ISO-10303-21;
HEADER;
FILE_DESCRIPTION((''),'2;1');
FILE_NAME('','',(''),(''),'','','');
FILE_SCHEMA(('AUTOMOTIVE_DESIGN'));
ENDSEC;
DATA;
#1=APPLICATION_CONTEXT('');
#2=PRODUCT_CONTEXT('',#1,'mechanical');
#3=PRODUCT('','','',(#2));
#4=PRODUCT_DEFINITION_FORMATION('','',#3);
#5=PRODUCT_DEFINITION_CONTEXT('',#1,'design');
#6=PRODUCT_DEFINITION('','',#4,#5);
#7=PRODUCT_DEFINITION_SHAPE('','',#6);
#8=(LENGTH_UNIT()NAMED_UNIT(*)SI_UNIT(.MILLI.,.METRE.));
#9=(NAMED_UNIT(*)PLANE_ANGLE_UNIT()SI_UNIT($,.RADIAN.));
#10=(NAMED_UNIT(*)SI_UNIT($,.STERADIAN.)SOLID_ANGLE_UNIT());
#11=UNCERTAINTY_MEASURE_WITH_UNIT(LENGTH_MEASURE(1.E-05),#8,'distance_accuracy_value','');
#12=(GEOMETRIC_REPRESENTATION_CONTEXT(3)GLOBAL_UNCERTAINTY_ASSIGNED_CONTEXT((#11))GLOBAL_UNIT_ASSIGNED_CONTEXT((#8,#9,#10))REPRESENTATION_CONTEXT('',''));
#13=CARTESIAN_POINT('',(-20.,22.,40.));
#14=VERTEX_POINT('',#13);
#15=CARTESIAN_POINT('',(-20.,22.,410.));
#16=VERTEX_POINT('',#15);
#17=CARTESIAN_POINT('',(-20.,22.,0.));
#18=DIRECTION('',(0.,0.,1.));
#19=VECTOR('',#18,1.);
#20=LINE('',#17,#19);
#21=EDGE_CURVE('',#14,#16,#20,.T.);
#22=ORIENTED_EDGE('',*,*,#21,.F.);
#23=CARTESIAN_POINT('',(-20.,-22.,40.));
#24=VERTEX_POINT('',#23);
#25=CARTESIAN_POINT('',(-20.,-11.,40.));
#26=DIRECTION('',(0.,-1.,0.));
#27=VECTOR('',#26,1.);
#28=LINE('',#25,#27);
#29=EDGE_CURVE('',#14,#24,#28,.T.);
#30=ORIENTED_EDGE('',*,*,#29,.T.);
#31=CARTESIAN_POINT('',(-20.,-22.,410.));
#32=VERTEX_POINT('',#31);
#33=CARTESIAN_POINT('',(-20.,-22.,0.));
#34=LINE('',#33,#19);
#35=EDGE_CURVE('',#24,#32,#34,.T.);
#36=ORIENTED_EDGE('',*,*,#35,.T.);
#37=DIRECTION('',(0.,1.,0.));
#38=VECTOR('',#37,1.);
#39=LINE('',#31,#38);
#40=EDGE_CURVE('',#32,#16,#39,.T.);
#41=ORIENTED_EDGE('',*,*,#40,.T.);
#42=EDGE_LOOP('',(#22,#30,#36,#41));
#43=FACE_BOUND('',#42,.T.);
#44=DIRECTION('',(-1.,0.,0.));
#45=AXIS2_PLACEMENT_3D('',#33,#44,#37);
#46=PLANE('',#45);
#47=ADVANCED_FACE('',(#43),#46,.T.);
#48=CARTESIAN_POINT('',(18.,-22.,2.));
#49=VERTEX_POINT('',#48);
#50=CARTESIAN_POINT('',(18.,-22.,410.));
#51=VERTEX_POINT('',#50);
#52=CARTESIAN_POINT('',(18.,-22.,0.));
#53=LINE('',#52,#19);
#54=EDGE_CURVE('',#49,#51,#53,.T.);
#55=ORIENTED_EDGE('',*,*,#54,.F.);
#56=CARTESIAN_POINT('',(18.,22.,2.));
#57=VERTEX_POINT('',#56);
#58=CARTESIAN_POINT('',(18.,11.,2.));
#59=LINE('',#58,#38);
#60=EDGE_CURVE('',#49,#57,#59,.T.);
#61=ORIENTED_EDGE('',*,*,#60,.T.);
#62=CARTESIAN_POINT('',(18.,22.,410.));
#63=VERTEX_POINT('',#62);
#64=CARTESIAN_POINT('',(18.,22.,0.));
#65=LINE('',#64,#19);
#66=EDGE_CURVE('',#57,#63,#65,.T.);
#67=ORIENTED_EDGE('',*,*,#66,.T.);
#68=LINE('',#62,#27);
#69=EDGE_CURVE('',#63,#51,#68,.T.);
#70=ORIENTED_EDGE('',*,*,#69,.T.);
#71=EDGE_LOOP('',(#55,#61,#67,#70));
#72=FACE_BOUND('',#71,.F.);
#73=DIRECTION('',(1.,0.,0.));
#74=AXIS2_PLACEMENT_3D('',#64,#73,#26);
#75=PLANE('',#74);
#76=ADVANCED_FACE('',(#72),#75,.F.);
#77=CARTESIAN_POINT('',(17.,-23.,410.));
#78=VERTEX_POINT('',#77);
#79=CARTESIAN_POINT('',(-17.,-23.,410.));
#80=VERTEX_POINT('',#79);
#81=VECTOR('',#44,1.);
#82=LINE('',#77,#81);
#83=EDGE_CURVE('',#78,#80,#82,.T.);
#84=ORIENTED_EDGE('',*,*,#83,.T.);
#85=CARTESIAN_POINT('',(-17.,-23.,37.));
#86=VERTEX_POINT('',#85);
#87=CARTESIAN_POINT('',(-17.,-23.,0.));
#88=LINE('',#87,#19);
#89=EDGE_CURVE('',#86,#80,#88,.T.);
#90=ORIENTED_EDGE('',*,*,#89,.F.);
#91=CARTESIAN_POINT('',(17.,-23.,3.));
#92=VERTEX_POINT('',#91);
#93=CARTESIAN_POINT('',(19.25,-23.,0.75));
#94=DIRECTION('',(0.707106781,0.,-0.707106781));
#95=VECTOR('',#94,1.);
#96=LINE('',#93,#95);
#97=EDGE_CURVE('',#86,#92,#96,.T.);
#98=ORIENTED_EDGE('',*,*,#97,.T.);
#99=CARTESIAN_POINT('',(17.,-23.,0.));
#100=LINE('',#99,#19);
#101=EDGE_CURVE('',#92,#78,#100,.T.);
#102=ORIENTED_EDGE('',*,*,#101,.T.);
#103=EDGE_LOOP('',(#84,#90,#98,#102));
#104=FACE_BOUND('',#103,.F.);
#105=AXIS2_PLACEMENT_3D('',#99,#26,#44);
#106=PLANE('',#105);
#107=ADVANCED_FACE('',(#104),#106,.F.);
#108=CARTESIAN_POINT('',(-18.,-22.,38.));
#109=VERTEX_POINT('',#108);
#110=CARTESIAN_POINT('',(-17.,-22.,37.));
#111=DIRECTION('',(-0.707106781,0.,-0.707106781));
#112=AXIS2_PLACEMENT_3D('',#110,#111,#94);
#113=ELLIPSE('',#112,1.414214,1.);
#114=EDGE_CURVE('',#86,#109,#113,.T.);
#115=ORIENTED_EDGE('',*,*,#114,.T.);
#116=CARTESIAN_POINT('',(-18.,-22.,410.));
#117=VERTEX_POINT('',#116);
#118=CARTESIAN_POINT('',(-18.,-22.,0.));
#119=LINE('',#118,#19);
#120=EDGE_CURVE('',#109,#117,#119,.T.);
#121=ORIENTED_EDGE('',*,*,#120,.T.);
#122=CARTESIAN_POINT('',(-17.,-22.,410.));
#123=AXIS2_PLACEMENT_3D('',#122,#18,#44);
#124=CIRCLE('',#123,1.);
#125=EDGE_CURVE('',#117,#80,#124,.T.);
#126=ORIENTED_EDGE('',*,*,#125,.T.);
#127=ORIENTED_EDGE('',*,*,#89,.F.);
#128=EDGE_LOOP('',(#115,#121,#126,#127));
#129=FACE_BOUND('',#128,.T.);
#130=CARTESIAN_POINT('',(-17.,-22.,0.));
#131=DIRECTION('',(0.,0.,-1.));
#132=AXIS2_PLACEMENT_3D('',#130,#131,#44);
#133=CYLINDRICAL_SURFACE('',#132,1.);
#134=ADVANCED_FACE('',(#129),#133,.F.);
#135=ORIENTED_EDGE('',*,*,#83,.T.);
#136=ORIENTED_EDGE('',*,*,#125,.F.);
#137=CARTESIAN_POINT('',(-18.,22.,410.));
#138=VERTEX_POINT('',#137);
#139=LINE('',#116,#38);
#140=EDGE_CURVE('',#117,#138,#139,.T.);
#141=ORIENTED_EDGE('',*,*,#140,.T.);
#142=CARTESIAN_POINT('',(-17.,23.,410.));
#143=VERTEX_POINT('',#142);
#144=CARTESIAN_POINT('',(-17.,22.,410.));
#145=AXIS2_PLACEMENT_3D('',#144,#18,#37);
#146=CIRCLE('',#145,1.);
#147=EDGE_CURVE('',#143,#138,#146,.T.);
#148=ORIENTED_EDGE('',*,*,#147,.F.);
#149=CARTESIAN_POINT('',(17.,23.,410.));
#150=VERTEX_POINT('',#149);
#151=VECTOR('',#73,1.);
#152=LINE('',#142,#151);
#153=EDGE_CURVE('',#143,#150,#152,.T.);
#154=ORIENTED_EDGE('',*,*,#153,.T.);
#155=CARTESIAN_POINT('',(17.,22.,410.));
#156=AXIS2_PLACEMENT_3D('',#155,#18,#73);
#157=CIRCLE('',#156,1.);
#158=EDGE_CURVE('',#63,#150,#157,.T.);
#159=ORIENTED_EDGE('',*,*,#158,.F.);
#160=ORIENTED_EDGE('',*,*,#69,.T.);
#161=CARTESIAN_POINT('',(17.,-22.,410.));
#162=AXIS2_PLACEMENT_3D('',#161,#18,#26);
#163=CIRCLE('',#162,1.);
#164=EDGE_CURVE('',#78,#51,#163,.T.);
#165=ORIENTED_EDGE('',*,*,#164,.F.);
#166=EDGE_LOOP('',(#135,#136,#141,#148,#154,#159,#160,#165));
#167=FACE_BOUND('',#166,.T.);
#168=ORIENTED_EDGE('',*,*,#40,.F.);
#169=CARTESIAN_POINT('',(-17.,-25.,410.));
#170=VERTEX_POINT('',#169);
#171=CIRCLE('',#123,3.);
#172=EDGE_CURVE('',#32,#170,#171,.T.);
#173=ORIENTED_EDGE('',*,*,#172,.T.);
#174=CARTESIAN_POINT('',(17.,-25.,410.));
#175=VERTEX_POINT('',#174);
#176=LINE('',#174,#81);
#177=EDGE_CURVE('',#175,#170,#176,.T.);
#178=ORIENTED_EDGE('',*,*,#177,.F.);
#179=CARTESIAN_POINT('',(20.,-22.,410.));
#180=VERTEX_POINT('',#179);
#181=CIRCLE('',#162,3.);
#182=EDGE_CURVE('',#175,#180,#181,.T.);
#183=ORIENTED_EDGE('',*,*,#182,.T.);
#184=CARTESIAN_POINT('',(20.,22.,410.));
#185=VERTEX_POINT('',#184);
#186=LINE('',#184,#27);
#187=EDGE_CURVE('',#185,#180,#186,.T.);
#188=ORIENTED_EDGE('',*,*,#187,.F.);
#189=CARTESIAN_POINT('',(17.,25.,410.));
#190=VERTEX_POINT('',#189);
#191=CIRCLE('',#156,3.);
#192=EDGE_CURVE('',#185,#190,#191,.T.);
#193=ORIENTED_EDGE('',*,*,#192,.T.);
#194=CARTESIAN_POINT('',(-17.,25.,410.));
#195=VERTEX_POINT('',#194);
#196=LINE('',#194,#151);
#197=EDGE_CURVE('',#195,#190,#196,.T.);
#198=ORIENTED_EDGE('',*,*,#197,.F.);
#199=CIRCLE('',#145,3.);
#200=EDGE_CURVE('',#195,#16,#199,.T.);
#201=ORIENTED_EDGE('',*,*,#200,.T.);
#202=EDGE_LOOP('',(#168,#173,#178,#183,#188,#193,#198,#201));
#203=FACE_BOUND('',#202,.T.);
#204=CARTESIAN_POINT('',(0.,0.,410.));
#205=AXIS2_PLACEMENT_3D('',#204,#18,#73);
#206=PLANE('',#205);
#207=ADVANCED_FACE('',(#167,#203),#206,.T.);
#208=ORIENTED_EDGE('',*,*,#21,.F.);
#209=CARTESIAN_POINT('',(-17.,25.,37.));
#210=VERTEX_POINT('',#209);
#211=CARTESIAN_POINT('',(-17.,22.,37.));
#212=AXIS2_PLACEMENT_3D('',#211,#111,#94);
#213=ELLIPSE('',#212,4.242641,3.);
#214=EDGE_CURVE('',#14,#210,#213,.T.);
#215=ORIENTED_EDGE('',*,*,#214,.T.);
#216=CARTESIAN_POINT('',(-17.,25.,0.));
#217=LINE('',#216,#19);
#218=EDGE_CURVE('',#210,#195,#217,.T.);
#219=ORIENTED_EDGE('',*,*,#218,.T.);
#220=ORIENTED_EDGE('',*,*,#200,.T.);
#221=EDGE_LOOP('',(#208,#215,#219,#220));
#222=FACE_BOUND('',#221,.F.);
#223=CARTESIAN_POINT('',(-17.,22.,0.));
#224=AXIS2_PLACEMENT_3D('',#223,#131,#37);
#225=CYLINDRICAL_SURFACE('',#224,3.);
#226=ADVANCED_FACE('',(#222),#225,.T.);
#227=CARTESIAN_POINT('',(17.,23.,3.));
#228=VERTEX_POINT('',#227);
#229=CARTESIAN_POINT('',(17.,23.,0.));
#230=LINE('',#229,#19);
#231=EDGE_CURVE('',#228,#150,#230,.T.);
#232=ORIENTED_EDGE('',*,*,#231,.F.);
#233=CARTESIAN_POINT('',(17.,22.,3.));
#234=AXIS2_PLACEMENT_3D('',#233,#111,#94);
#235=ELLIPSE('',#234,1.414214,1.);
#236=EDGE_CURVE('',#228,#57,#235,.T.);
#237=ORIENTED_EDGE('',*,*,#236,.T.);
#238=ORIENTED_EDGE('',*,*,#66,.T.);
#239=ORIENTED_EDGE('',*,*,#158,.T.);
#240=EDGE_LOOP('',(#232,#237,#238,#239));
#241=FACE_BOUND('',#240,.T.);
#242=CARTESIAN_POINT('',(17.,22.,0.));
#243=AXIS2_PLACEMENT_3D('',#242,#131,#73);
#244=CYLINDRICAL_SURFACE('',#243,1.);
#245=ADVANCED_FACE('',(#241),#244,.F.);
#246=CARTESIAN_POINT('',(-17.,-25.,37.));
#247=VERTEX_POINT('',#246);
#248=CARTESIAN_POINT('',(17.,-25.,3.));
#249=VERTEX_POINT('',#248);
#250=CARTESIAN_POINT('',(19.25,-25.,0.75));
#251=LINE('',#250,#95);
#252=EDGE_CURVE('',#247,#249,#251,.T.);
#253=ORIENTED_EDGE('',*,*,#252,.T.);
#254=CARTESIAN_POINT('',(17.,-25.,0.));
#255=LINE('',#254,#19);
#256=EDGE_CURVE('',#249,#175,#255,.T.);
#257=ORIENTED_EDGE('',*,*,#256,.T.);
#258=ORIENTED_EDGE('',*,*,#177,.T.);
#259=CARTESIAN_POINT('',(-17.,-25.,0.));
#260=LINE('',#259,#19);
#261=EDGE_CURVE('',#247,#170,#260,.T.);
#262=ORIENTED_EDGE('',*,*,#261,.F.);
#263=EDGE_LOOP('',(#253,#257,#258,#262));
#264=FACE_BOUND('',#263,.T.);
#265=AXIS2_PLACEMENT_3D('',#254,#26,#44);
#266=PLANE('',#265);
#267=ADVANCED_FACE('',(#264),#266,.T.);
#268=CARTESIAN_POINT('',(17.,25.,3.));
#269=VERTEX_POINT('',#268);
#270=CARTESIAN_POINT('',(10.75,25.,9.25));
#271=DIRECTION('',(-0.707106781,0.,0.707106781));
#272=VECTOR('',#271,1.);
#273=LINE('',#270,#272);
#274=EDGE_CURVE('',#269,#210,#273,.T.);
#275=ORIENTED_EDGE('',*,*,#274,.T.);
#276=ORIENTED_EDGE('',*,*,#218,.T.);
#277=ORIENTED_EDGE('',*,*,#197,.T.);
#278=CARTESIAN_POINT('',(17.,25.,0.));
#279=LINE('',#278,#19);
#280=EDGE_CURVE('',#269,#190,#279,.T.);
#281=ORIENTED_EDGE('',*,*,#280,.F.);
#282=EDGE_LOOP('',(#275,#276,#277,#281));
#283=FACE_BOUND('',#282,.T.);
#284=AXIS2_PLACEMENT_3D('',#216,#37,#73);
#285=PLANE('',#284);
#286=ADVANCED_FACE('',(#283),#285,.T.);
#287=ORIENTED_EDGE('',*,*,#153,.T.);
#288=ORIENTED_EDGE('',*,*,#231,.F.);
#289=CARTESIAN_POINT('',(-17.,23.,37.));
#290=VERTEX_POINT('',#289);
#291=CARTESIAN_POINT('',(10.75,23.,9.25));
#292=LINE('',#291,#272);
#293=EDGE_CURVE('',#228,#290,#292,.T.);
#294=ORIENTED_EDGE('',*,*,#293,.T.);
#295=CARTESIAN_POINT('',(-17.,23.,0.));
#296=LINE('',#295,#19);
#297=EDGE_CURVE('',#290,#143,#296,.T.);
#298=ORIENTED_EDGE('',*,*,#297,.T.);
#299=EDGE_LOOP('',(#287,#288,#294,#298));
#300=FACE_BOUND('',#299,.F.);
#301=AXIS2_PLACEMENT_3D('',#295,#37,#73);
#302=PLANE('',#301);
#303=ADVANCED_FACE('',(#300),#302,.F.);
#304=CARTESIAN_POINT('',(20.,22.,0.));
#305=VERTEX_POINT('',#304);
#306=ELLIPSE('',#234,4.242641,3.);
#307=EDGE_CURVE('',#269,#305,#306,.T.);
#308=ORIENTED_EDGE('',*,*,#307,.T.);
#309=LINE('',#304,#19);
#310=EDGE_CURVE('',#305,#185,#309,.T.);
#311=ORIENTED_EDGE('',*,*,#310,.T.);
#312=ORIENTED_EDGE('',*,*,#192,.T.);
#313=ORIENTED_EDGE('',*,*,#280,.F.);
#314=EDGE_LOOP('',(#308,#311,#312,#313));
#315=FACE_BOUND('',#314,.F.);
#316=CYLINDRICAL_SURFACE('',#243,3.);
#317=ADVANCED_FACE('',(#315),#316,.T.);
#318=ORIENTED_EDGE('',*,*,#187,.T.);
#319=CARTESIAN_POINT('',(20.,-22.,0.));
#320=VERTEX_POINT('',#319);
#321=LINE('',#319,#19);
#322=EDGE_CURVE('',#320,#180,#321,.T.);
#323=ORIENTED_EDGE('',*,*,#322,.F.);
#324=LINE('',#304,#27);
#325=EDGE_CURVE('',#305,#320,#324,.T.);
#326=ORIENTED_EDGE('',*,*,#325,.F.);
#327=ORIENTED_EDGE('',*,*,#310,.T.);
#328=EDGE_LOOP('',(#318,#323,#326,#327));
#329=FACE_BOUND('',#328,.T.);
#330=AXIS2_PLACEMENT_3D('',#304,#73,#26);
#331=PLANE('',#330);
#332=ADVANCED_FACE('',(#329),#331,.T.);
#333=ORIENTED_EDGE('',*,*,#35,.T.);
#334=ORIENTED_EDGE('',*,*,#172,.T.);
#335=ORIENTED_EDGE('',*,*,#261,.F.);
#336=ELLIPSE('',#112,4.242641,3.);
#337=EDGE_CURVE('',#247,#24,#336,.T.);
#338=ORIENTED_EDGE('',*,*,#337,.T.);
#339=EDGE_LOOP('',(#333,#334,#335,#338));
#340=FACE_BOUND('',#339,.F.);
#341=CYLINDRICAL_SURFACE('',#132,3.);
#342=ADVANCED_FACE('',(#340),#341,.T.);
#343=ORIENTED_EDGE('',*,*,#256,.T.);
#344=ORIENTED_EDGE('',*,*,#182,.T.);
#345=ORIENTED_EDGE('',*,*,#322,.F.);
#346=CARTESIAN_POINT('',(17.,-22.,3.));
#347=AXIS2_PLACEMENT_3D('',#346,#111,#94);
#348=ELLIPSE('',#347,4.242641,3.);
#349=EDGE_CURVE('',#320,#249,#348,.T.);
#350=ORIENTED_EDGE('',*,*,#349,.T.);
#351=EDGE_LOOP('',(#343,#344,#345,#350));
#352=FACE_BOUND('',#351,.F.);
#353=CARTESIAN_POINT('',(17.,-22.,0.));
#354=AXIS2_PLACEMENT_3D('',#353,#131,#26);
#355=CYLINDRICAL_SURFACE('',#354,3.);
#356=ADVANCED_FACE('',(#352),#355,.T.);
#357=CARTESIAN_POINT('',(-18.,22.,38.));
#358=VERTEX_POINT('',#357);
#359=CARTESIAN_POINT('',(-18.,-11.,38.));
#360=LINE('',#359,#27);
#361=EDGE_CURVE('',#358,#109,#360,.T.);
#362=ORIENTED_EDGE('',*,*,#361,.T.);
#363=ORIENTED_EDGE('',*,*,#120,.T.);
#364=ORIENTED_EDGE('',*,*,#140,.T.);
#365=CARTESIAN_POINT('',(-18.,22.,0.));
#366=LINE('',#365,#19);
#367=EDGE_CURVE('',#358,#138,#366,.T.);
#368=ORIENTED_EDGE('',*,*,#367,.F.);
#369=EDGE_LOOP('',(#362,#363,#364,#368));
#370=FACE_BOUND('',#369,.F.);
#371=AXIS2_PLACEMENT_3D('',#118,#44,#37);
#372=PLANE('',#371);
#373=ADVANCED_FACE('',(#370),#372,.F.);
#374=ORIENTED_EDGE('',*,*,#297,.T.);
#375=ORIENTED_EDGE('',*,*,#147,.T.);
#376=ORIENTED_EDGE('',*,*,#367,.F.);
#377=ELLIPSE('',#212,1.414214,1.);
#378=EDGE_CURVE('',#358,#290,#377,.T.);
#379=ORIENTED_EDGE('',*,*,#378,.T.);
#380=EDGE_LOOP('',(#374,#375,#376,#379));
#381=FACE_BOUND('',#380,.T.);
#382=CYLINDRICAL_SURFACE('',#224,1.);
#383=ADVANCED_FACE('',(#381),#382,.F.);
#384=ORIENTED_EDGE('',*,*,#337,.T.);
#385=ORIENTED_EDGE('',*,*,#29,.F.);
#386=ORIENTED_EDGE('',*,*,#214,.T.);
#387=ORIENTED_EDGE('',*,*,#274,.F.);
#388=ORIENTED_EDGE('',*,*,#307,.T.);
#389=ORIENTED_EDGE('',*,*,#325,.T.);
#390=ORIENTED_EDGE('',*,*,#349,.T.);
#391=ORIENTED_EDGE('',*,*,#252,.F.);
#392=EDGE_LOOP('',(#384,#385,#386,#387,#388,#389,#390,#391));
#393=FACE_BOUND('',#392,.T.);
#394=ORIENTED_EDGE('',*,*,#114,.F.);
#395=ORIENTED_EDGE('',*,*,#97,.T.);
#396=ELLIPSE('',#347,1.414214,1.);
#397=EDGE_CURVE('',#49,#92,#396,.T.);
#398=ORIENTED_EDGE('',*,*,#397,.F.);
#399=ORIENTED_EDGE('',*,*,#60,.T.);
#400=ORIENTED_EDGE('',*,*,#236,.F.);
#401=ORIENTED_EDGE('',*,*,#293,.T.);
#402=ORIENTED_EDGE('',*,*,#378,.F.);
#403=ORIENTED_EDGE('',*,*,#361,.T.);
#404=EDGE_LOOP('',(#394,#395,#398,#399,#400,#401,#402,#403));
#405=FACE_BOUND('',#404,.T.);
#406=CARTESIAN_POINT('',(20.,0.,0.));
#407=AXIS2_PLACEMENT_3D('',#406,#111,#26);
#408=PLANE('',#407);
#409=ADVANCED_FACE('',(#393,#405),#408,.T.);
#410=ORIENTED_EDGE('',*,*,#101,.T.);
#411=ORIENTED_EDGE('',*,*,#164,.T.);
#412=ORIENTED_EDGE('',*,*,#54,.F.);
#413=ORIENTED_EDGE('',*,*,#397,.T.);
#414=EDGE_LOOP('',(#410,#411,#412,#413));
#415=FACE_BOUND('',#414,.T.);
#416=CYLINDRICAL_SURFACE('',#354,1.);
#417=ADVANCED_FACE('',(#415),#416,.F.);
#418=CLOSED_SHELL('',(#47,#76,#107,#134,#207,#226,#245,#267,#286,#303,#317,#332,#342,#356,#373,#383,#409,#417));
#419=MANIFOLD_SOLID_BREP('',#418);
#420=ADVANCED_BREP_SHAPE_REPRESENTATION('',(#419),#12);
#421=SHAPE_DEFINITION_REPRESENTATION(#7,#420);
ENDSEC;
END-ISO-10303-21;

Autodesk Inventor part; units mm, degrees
ref_plane "Start plane" through (0, 0, 0) normal (0, 0, 1) x (1, 0, 0)
ref_plane "End plane" through (0, 0, 410) normal (0, 0, 1) x (1, 0, 0)
sketch "Sketch" plane through (0, 0, 0) normal (0, 0, 1) x (1, 0, 0)
  line L0 (-20, -22) -> (-20, 22)
  line L1 (-17, 25) -> (17, 25)
  line L2 (20, 22) -> (20, -22)
  line L3 (17, -25) -> (-17, -25)
  arc A0 (-20, -22) -> (-17, -25) centre (-17, -22) ccw
  arc A1 (-17, 25) -> (-20, 22) centre (-17, 22) ccw
  arc A2 (20, 22) -> (17, 25) centre (17, 22) ccw
  arc A3 (17, -25) -> (20, -22) centre (17, -22) ccw
  arc A4 (-17, 23) -> (-18, 22) centre (-17, 22) ccw
  line L4 (-17, 23) -> (17, 23)
  arc A5 (18, 22) -> (17, 23) centre (17, 22) ccw
  line L5 (18, 22) -> (18, -22)
  arc A6 (17, -23) -> (18, -22) centre (17, -22) ccw
  line L6 (17, -23) -> (-17, -23)
  arc A7 (-18, -22) -> (-17, -23) centre (-17, -22) ccw
  line L7 (-18, -22) -> (-18, 22)
  line L8 (0, 35.8698) -> (0, -35.8698) construction
  line L9 (-28.8698, 0) -> (28.8698, 0) construction
  dimension "d7" = 3
  dimension "d10" = 50
  dimension "d11" = 40
  dimension "d12" = 2
  dimension "d15" = 25
  dimension "d16" = 20
extrude "Body" add sketch "Sketch" along normal up to surface (410 mm away) from surface at 0
sketch "Sketch3" plane through (0, 0, 0) normal (0, 0, 1) x (1, 0, 0)
  line L0 (0, 0) -> (10, 0)
ref_plane "Work Plane3" through (0, 0, 0) normal (0, -1, 0) x (1, 0, 0)
sketch "Sketch4" plane through (0, 0, 0) normal (0, -1, 0) x (1, 0, 0)
  line L0 (-2, 0) -> (12, 0)
  line L1 (-2, 410) -> (12, 410)
  dimension "d18" = 410
ref_plane "Work Plane4" through (20, 0, 0) normal (-0.7071, 0, -0.7071) x (-0.7071, 0, 0.7071)
split "Split1" plane through (20, 0, 0) removes the side toward (-0.7071, 0, -0.7071)
equation "\"d7\" = G_IR"
equation "\"d10\" = G_H"
equation "\"d11\" = G_W"
equation "\"d12\" = G_T"
equation "\"d15\" = 0.5 * d10"
equation "\"d16\" = 0.5 * d11"
equation "\"d3\" = G_L"
equation "\"G_W\" = 40"
equation "\"G_H\" = 50"
equation "\"G_T\" = 2"
equation "\"G_IR\" = 3"
equation "\"G_L\" = d18"
equation "\"G_OFFSET_START\" = 0"
equation "\"G_OFFSET_END\" = 0"
equation "\"d14\" = G_OFFSET_END + B_L"
equation "\"B_L\" = 410"
properties part number "UNI EN 10305-5 - 50 x 40 x 2  - 410" material "Steel, Mild"
